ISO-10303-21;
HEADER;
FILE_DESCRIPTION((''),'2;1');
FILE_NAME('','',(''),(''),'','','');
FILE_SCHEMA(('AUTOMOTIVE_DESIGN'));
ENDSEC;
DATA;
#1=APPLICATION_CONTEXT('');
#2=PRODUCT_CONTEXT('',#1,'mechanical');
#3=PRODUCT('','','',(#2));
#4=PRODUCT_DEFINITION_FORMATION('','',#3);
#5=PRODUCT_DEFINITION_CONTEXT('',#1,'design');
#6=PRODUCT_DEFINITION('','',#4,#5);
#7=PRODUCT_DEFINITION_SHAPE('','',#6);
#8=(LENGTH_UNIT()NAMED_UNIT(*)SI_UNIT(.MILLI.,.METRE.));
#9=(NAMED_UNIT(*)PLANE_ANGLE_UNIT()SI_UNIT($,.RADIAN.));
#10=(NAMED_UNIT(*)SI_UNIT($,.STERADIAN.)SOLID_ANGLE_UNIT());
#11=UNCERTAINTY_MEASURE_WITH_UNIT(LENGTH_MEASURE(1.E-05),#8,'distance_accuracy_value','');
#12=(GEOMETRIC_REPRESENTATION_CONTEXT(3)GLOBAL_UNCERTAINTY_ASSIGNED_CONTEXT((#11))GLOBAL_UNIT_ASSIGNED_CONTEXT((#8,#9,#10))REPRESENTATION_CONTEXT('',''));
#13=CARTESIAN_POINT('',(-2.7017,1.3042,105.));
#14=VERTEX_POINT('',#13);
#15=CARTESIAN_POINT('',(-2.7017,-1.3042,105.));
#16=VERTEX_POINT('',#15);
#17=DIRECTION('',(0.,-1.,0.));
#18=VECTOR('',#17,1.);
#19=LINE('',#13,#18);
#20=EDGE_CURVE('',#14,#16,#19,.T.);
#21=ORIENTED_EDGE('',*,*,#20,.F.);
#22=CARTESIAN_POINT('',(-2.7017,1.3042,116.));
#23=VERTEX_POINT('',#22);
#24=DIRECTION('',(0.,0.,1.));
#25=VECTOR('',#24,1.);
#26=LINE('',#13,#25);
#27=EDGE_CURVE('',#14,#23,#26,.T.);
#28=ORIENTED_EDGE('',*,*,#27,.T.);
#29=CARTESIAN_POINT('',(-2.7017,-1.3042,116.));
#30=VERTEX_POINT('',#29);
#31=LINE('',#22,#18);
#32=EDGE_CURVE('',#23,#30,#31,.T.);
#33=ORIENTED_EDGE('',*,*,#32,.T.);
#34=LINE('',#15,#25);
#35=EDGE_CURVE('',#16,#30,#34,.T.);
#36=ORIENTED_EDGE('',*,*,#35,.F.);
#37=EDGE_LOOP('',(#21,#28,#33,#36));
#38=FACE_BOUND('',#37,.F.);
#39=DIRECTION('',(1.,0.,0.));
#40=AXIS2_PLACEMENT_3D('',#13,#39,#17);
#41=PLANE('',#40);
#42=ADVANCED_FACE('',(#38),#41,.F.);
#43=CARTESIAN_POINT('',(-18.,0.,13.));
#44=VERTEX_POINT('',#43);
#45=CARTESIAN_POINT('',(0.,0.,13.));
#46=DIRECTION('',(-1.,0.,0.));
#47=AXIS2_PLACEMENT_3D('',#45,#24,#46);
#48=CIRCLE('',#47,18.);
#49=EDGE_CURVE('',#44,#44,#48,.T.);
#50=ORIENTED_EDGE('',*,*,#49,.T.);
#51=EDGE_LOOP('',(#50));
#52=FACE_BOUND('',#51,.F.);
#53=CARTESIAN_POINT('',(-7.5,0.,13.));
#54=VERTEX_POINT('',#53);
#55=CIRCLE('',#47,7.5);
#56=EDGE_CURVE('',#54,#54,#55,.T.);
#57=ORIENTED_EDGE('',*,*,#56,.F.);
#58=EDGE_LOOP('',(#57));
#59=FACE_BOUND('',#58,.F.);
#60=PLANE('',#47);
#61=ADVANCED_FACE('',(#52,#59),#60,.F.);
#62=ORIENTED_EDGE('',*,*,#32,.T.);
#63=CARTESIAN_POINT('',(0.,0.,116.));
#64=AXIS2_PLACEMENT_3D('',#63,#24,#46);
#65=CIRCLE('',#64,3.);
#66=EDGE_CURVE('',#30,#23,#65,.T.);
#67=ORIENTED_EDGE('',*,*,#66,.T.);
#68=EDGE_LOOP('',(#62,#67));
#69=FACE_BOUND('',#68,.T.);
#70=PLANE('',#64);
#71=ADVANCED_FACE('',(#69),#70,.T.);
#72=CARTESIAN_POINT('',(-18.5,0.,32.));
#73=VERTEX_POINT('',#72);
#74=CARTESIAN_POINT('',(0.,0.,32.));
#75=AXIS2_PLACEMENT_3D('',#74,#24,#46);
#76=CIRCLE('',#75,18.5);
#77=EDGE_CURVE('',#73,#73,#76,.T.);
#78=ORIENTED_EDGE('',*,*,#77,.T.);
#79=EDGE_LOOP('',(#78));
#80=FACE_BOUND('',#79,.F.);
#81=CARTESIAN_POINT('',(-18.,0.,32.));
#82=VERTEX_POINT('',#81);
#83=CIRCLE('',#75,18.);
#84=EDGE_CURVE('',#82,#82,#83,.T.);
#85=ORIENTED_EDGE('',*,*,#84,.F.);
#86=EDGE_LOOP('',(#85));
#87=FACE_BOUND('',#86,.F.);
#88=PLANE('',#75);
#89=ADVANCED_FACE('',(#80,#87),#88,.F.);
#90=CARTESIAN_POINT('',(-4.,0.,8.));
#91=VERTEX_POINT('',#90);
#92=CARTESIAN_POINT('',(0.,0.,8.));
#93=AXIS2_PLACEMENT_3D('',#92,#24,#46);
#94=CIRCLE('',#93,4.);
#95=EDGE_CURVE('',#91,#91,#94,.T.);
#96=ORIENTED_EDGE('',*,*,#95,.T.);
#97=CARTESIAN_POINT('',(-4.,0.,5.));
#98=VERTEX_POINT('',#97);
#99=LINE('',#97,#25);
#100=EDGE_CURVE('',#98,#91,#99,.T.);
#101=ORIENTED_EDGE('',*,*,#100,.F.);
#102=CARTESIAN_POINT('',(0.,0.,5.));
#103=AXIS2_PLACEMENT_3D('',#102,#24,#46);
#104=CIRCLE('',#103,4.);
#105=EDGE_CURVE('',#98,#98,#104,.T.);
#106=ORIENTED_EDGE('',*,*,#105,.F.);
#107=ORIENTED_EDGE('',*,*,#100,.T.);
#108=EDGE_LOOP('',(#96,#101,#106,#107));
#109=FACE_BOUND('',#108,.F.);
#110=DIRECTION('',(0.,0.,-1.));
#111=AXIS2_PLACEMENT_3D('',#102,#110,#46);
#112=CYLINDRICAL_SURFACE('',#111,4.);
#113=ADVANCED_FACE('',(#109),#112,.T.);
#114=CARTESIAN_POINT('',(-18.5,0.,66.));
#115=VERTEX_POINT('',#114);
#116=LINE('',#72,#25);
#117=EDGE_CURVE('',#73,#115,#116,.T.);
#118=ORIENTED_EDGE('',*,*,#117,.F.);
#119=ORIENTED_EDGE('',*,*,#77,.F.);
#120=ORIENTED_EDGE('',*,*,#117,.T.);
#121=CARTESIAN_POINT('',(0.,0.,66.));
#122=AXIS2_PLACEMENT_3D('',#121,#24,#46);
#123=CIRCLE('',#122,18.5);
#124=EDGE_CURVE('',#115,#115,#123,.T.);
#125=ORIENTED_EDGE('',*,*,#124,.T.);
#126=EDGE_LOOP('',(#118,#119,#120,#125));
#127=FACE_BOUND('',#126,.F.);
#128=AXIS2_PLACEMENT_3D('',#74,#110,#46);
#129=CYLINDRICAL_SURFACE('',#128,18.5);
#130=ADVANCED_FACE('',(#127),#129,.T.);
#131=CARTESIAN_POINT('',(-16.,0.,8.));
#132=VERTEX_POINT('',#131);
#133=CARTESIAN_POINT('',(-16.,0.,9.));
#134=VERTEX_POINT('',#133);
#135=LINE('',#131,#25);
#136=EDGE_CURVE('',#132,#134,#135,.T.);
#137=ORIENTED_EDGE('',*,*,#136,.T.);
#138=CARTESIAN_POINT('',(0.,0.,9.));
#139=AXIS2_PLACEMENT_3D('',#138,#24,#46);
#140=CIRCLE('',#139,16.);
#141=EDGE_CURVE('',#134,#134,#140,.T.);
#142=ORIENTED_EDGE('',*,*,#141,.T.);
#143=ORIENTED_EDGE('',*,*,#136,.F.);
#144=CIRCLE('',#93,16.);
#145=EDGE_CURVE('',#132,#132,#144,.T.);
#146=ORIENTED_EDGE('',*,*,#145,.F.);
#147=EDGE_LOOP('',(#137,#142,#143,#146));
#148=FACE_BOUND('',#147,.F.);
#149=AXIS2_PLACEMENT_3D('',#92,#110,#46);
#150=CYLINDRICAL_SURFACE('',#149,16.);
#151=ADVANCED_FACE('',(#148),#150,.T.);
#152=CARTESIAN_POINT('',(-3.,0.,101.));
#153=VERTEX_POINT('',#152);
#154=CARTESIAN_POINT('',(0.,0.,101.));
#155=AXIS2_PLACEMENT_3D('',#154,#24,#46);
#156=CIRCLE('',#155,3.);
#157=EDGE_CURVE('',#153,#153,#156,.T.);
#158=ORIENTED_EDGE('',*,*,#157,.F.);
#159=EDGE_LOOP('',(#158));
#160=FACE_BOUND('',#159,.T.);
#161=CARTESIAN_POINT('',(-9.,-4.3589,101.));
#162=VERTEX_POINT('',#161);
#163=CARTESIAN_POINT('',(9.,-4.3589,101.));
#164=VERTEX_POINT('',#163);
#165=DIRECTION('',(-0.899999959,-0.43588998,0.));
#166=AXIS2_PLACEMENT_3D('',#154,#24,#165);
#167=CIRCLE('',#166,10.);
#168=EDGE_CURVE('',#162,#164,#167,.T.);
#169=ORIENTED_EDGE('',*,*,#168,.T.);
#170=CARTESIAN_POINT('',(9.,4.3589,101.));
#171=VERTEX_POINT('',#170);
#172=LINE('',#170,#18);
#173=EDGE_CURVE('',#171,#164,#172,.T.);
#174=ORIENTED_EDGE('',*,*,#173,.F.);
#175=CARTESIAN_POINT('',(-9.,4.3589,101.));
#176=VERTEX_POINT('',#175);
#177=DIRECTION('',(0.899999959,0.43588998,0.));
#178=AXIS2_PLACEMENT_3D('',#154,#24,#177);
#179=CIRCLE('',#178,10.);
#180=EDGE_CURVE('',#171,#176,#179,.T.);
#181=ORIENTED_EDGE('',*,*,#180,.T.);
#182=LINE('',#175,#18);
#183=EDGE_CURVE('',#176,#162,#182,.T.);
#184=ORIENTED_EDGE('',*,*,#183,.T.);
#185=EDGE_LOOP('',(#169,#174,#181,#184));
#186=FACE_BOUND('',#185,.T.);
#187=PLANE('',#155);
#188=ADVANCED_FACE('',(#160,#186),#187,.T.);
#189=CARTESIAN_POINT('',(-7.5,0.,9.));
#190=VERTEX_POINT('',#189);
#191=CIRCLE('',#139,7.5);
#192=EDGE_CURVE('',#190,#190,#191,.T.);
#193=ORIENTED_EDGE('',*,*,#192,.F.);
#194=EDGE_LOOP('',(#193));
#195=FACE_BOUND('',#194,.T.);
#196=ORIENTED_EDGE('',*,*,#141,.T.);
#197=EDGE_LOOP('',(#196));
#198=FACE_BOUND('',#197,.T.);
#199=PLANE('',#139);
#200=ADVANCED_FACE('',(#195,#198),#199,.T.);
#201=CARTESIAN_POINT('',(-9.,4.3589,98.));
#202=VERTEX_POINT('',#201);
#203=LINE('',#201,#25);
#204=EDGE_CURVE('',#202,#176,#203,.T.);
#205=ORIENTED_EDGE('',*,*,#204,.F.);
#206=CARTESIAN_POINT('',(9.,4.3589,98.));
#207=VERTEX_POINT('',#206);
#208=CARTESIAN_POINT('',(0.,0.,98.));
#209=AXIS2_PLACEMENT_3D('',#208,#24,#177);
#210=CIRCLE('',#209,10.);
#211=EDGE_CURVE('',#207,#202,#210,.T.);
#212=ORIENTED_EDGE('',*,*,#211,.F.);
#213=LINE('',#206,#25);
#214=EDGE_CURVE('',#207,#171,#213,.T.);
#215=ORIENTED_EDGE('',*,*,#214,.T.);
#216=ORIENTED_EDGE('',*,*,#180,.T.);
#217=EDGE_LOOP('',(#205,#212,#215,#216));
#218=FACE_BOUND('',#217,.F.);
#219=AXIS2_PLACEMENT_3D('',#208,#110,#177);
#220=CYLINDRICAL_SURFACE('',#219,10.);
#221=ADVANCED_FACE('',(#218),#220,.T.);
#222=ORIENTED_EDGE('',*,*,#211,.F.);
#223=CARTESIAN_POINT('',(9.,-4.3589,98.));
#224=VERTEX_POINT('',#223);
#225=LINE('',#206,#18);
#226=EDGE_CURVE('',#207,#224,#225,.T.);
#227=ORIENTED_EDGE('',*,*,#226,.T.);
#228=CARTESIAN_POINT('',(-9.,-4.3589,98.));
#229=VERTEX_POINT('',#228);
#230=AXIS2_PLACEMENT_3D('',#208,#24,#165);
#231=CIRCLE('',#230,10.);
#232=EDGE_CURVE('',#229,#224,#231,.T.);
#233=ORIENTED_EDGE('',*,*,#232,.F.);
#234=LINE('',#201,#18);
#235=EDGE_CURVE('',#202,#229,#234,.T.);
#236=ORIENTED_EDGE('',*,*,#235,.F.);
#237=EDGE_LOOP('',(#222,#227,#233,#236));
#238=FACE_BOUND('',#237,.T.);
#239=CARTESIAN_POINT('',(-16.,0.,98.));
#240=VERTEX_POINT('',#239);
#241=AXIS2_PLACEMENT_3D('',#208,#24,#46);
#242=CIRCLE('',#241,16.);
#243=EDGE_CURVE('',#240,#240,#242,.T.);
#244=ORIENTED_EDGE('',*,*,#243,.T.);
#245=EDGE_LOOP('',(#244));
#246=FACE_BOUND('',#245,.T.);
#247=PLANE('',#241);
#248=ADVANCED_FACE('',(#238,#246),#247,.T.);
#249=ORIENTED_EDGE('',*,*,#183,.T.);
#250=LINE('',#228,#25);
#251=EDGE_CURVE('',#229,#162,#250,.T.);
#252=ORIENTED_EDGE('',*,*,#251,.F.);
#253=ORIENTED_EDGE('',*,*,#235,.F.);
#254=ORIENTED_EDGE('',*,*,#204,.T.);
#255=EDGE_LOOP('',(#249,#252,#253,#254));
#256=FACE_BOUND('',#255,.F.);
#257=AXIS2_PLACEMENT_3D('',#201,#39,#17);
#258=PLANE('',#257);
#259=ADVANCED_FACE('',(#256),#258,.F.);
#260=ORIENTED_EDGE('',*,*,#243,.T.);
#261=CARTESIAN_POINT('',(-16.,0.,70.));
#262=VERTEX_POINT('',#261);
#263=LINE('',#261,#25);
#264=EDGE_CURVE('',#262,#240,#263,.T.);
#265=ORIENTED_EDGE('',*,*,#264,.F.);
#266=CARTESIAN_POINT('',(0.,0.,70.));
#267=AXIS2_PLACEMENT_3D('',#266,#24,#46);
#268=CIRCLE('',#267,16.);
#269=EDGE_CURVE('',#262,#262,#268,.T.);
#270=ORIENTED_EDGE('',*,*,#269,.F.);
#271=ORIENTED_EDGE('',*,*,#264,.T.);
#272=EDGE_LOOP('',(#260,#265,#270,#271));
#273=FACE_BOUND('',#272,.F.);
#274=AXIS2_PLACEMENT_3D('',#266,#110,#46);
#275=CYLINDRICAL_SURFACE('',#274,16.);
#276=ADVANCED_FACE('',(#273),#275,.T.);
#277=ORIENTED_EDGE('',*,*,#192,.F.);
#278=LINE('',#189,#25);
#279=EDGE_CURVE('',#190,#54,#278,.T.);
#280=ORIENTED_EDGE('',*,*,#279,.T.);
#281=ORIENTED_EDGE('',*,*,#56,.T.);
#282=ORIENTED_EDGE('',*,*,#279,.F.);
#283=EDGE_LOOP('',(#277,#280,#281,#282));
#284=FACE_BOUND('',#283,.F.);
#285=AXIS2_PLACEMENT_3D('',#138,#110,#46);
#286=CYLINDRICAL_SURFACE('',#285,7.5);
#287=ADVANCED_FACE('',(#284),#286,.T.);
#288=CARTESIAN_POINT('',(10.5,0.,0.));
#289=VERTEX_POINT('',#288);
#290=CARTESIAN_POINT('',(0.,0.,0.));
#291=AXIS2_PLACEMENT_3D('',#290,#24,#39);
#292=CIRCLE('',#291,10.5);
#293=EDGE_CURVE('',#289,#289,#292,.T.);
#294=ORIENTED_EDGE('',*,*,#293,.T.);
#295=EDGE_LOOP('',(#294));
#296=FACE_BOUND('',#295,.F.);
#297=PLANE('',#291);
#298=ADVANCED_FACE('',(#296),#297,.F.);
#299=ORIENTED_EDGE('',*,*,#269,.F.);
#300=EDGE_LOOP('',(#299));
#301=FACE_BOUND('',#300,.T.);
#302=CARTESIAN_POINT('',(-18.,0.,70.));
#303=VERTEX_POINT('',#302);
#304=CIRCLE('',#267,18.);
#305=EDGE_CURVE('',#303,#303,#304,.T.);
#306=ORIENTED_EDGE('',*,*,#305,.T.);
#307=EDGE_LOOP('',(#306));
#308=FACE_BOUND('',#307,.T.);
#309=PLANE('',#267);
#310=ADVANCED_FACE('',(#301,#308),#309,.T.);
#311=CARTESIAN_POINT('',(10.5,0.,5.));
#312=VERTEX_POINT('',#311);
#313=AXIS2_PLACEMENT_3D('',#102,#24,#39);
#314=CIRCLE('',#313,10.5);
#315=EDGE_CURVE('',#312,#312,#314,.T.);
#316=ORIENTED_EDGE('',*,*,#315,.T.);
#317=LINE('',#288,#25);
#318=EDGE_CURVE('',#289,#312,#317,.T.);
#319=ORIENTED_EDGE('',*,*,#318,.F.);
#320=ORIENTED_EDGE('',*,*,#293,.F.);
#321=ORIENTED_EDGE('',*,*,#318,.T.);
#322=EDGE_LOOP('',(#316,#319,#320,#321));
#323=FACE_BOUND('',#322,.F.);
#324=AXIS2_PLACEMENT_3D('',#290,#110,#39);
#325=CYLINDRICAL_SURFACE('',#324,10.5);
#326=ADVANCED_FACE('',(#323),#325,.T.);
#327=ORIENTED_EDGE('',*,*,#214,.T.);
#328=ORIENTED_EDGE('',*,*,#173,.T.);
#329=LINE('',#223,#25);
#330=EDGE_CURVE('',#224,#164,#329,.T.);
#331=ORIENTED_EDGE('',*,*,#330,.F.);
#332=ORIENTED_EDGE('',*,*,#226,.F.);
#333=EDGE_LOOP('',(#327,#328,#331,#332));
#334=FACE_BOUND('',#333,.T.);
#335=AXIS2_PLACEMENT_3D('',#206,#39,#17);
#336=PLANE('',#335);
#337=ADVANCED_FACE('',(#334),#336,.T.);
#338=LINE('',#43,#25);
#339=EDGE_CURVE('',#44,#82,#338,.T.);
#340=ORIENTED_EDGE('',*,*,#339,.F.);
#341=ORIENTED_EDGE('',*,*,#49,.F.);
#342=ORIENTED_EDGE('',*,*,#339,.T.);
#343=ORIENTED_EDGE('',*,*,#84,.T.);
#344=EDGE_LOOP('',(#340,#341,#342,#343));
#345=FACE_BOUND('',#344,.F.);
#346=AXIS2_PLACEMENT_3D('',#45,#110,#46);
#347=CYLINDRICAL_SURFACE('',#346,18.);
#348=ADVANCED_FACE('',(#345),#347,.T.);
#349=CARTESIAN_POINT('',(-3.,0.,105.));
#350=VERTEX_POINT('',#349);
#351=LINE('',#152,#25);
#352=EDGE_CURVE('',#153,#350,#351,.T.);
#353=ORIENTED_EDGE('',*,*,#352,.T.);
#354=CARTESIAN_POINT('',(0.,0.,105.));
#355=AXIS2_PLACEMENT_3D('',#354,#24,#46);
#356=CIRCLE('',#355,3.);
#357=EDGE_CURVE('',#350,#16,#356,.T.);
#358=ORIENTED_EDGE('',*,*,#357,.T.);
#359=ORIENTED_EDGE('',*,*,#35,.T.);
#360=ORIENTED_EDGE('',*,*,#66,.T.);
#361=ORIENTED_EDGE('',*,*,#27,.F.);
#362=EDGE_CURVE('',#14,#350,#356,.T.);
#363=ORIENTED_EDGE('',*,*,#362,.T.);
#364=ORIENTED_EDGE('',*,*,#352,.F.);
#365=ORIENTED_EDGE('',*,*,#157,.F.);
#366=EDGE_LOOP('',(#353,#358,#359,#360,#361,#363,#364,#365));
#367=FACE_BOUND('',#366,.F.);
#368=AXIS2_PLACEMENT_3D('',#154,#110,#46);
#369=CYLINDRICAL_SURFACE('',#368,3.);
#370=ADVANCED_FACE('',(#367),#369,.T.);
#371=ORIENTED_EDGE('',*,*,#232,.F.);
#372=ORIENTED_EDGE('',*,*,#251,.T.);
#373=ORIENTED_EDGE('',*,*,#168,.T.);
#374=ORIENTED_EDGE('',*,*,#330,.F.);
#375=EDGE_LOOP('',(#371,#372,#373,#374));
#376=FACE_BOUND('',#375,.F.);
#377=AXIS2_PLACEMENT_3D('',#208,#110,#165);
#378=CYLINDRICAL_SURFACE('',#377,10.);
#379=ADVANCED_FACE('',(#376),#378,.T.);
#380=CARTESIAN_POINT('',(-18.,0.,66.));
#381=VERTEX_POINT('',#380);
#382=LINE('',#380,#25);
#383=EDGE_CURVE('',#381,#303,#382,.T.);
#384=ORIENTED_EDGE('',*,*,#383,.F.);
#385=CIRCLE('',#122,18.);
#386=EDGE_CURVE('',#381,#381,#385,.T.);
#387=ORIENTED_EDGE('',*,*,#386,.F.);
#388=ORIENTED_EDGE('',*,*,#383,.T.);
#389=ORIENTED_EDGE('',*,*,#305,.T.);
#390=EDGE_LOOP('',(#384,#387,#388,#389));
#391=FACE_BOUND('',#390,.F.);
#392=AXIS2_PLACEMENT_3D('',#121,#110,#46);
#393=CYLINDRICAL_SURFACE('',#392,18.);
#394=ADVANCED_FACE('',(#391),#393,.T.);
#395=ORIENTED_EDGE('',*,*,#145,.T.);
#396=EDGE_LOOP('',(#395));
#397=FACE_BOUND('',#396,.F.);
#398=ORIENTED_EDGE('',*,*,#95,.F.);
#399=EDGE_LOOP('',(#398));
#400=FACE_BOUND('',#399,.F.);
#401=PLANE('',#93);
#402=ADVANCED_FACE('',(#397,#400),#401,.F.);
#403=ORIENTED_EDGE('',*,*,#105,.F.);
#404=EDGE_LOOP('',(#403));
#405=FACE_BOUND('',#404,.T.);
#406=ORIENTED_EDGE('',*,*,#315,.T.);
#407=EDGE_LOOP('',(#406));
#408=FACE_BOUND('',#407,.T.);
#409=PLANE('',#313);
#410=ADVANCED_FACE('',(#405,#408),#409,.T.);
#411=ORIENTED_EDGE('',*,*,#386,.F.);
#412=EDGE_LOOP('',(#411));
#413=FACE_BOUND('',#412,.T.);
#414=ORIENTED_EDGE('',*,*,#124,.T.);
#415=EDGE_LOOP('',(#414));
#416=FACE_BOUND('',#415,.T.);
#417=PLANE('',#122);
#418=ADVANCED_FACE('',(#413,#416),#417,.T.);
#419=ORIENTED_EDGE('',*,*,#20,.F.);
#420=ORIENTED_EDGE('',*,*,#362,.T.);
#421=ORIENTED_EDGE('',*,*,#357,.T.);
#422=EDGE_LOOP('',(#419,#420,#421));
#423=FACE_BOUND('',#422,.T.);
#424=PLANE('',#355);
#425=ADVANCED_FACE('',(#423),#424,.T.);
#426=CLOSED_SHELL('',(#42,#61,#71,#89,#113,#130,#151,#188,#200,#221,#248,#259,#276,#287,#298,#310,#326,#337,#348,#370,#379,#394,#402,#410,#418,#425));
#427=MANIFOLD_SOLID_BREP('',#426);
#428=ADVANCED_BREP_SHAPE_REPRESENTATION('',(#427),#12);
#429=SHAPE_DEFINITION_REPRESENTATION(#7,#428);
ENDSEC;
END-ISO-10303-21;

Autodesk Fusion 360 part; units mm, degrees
sketch "Sketch1" plane through (0, 0, 0) normal (0, 0, 1) x (1, 0, 0)
  circle A0 centre (0, 0) radius 10.5
  dimension "d1" = 21
extrude "Extrude1" add sketch "Sketch1" along normal blind 5
sketch "Sketch2" plane through (0, 0, 5) normal (0, 0, 1) x (-1, 0, 0)
  circle A0 centre (0, 0) radius 10.5
  circle A1 centre (0, 0) radius 4
  dimension "d4" = 8
extrude "Extrude2" add sketch "Sketch2" along normal blind 3 contours A1
sketch "Sketch3" plane through (0, 0, 8) normal (0, 0, 1) x (-1, 0, 0)
  circle A0 centre (0, 0) radius 4
  circle A1 centre (0, 0) radius 16
  dimension "d7" = 32
extrude "Extrude3" add sketch "Sketch3" along normal blind 1 contours A0 | A1
sketch "Sketch4" plane through (0, 0, 9) normal (0, 0, 1) x (-1, 0, 0)
  circle A0 centre (0, 0) radius 16
  circle A1 centre (0, 0) radius 7.5
  dimension "d10" = 15
extrude "Extrude4" add sketch "Sketch4" along normal blind 4 contours A1
sketch "Sketch5" plane through (0, 0, 13) normal (0, 0, 1) x (-1, 0, 0)
  circle A0 centre (0, 0) radius 7.5
  circle A1 centre (0, 0) radius 18
  dimension "d13" = 36
extrude "Extrude5" add sketch "Sketch5" along normal blind 19 contours A0 | A1
sketch "Sketch6" plane through (0, 0, 32) normal (0, 0, 1) x (-1, 0, 0)
  circle A0 centre (0, 0) radius 18
  circle A1 centre (0, 0) radius 18.5
  dimension "d16" = 37
extrude "Extrude6" add sketch "Sketch6" along normal blind 34 contours A0 | A1
sketch "Sketch7" plane through (0, 0, 66) normal (0, 0, 1) x (-1, 0, 0)
  circle A0 centre (0, 0) radius 18.5
  circle A1 centre (0, 0) radius 18
  dimension "d19" = 36
extrude "Extrude7" add sketch "Sketch7" along normal blind 4 contours A1
sketch "Sketch8" plane through (0, 0, 70) normal (0, 0, 1) x (-1, 0, 0)
  circle A0 centre (0, 0) radius 18
  circle A1 centre (0, 0) radius 16
  dimension "d22" = 32
extrude "Extrude8" add sketch "Sketch8" along normal blind 28 contours A1
sketch "Sketch9" plane through (0, 0, 98) normal (0, 0, 1) x (-1, 0, 0)
  circle A0 centre (0, 0) radius 16
  line L0 (0, -10) -> (0, 10) construction
  line L1 (9, -4.3589) -> (9, 4.3589)
  line L2 (-9, -4.3589) -> (-9, 4.3589)
  arc A1 (9, 4.3589) -> (-9, 4.3589) centre (0, 0) ccw
  arc A2 (-9, -4.3589) -> (9, -4.3589) centre (0, 0) ccw
  dimension "d25" = 20
  dimension "d26" = 9
sketch "Sketch10" plane through (0, 0, 98) normal (0, 0, 1) x (-1, 0, 0)
extrude "Extrude9" add sketch "Sketch9" along normal blind 3 contours L1 L2 A1 A2
sketch "Sketch11" plane through (0, 0, 101) normal (0, 0, 1) x (-1, 0, 0)
  arc A0 (-9, -4.3589) -> (9, -4.3589) centre (0, 0) ccw
  line L0 (9, -4.3589) -> (9, 4.3589)
  arc A1 (9, 4.3589) -> (-9, 4.3589) centre (0, 0) ccw
  line L1 (-9, 4.3589) -> (-9, -4.3589)
  circle A2 centre (0, 0) radius 3
  dimension "d29" = 6
extrude "Extrude10" add sketch "Sketch11" along normal blind 4 contours A2
sketch "Sketch12" plane through (0, 0, 105) normal (0, 0, 1) x (-1, 0, 0)
  circle A0 centre (0, 0) radius 3
  line L0 (2.7017, -1.3042) -> (2.7017, 1.3042)
  arc A1 (2.7017, 1.3042) -> (2.7017, -1.3042) centre (0, 0) ccw
extrude "Extrude11" add sketch "Sketch12" along normal blind 11 contours A0 L0 A1
